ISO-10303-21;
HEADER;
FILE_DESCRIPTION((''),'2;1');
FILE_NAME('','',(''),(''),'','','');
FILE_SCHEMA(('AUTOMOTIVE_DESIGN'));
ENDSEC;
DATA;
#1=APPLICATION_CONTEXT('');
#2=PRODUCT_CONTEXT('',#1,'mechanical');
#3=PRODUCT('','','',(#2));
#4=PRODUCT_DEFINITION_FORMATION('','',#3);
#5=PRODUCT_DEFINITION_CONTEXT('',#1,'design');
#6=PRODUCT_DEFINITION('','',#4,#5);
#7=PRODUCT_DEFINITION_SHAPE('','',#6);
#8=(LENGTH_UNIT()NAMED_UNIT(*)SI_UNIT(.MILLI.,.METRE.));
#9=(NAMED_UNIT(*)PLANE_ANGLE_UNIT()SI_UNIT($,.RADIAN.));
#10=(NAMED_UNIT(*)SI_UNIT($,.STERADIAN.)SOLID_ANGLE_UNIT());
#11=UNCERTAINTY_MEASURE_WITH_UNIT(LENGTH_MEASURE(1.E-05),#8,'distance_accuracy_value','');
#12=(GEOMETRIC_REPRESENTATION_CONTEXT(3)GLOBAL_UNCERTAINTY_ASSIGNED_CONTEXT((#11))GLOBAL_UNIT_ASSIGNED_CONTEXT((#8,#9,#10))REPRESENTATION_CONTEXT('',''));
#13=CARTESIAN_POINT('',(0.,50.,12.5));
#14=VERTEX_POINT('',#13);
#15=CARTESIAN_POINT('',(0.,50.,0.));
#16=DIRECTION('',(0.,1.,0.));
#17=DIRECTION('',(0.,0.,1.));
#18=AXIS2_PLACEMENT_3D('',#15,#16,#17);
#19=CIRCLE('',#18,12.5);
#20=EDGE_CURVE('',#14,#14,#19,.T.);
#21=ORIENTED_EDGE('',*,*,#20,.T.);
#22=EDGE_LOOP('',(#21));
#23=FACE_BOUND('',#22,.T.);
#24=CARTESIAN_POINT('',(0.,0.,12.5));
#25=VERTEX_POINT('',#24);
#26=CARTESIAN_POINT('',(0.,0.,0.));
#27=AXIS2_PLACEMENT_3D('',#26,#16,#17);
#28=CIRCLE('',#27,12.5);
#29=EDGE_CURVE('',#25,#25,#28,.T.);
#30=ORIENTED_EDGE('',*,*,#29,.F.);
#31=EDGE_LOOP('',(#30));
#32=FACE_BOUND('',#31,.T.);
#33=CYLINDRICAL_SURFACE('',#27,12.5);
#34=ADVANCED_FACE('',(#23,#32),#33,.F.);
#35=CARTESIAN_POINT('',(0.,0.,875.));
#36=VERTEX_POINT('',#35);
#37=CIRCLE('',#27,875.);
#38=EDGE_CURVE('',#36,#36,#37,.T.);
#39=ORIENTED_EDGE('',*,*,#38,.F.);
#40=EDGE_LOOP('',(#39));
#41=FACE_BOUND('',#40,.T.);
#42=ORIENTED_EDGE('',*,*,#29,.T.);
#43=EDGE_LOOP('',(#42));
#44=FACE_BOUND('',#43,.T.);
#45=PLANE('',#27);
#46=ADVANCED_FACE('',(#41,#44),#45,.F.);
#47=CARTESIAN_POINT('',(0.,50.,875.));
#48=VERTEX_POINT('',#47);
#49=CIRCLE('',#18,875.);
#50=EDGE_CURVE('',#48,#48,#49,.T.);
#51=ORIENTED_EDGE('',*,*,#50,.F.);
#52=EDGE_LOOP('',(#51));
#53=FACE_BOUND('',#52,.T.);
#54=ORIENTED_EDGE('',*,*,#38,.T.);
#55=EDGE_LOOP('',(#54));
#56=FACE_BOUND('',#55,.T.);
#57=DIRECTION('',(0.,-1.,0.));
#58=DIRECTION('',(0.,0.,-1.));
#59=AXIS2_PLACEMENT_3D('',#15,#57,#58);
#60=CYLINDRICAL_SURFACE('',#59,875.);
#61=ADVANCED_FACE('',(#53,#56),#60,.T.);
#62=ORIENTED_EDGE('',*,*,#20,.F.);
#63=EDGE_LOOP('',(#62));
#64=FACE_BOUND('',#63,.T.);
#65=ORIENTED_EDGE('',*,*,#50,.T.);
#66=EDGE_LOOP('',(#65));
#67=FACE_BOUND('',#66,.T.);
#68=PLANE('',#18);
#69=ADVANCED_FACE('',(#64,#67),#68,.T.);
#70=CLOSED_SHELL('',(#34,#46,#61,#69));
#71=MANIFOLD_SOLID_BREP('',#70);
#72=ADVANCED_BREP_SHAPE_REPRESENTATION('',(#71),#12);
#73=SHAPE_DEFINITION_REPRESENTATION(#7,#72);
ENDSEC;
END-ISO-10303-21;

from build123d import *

# Parameters (mm, degrees)
SKETCH_1_R          = 875
EXTRUDE_1_DEPTH     = 50
SKETCH_2_R          = 12.5
CUT_EXTRUDE_1_DEPTH = 1239.44660765


with BuildPart() as part:
    # Эскиз1 → Бобышка-Вытянуть1 (new body)
    with BuildSketch(Plane(origin=(0, 0, 0), x_dir=(1, 0, 0), z_dir=(0, 1, 0))):
        with Locations(Location((0, 0, 0), (0, 0, 270))):
            Circle(SKETCH_1_R)
    extrude(amount=EXTRUDE_1_DEPTH)

    # Эскиз2 → Вырез-Вытянуть1 (cut, through all)
    with BuildSketch(Plane(origin=(0, 50, 0), x_dir=(1, 0, 0), z_dir=(0, 1, 0))):
        with Locations(Location((0, 0, 0), (0, 0, 270))):
            Circle(SKETCH_2_R)
    extrude(amount=-CUT_EXTRUDE_1_DEPTH, mode=Mode.SUBTRACT)


solid = part.part
